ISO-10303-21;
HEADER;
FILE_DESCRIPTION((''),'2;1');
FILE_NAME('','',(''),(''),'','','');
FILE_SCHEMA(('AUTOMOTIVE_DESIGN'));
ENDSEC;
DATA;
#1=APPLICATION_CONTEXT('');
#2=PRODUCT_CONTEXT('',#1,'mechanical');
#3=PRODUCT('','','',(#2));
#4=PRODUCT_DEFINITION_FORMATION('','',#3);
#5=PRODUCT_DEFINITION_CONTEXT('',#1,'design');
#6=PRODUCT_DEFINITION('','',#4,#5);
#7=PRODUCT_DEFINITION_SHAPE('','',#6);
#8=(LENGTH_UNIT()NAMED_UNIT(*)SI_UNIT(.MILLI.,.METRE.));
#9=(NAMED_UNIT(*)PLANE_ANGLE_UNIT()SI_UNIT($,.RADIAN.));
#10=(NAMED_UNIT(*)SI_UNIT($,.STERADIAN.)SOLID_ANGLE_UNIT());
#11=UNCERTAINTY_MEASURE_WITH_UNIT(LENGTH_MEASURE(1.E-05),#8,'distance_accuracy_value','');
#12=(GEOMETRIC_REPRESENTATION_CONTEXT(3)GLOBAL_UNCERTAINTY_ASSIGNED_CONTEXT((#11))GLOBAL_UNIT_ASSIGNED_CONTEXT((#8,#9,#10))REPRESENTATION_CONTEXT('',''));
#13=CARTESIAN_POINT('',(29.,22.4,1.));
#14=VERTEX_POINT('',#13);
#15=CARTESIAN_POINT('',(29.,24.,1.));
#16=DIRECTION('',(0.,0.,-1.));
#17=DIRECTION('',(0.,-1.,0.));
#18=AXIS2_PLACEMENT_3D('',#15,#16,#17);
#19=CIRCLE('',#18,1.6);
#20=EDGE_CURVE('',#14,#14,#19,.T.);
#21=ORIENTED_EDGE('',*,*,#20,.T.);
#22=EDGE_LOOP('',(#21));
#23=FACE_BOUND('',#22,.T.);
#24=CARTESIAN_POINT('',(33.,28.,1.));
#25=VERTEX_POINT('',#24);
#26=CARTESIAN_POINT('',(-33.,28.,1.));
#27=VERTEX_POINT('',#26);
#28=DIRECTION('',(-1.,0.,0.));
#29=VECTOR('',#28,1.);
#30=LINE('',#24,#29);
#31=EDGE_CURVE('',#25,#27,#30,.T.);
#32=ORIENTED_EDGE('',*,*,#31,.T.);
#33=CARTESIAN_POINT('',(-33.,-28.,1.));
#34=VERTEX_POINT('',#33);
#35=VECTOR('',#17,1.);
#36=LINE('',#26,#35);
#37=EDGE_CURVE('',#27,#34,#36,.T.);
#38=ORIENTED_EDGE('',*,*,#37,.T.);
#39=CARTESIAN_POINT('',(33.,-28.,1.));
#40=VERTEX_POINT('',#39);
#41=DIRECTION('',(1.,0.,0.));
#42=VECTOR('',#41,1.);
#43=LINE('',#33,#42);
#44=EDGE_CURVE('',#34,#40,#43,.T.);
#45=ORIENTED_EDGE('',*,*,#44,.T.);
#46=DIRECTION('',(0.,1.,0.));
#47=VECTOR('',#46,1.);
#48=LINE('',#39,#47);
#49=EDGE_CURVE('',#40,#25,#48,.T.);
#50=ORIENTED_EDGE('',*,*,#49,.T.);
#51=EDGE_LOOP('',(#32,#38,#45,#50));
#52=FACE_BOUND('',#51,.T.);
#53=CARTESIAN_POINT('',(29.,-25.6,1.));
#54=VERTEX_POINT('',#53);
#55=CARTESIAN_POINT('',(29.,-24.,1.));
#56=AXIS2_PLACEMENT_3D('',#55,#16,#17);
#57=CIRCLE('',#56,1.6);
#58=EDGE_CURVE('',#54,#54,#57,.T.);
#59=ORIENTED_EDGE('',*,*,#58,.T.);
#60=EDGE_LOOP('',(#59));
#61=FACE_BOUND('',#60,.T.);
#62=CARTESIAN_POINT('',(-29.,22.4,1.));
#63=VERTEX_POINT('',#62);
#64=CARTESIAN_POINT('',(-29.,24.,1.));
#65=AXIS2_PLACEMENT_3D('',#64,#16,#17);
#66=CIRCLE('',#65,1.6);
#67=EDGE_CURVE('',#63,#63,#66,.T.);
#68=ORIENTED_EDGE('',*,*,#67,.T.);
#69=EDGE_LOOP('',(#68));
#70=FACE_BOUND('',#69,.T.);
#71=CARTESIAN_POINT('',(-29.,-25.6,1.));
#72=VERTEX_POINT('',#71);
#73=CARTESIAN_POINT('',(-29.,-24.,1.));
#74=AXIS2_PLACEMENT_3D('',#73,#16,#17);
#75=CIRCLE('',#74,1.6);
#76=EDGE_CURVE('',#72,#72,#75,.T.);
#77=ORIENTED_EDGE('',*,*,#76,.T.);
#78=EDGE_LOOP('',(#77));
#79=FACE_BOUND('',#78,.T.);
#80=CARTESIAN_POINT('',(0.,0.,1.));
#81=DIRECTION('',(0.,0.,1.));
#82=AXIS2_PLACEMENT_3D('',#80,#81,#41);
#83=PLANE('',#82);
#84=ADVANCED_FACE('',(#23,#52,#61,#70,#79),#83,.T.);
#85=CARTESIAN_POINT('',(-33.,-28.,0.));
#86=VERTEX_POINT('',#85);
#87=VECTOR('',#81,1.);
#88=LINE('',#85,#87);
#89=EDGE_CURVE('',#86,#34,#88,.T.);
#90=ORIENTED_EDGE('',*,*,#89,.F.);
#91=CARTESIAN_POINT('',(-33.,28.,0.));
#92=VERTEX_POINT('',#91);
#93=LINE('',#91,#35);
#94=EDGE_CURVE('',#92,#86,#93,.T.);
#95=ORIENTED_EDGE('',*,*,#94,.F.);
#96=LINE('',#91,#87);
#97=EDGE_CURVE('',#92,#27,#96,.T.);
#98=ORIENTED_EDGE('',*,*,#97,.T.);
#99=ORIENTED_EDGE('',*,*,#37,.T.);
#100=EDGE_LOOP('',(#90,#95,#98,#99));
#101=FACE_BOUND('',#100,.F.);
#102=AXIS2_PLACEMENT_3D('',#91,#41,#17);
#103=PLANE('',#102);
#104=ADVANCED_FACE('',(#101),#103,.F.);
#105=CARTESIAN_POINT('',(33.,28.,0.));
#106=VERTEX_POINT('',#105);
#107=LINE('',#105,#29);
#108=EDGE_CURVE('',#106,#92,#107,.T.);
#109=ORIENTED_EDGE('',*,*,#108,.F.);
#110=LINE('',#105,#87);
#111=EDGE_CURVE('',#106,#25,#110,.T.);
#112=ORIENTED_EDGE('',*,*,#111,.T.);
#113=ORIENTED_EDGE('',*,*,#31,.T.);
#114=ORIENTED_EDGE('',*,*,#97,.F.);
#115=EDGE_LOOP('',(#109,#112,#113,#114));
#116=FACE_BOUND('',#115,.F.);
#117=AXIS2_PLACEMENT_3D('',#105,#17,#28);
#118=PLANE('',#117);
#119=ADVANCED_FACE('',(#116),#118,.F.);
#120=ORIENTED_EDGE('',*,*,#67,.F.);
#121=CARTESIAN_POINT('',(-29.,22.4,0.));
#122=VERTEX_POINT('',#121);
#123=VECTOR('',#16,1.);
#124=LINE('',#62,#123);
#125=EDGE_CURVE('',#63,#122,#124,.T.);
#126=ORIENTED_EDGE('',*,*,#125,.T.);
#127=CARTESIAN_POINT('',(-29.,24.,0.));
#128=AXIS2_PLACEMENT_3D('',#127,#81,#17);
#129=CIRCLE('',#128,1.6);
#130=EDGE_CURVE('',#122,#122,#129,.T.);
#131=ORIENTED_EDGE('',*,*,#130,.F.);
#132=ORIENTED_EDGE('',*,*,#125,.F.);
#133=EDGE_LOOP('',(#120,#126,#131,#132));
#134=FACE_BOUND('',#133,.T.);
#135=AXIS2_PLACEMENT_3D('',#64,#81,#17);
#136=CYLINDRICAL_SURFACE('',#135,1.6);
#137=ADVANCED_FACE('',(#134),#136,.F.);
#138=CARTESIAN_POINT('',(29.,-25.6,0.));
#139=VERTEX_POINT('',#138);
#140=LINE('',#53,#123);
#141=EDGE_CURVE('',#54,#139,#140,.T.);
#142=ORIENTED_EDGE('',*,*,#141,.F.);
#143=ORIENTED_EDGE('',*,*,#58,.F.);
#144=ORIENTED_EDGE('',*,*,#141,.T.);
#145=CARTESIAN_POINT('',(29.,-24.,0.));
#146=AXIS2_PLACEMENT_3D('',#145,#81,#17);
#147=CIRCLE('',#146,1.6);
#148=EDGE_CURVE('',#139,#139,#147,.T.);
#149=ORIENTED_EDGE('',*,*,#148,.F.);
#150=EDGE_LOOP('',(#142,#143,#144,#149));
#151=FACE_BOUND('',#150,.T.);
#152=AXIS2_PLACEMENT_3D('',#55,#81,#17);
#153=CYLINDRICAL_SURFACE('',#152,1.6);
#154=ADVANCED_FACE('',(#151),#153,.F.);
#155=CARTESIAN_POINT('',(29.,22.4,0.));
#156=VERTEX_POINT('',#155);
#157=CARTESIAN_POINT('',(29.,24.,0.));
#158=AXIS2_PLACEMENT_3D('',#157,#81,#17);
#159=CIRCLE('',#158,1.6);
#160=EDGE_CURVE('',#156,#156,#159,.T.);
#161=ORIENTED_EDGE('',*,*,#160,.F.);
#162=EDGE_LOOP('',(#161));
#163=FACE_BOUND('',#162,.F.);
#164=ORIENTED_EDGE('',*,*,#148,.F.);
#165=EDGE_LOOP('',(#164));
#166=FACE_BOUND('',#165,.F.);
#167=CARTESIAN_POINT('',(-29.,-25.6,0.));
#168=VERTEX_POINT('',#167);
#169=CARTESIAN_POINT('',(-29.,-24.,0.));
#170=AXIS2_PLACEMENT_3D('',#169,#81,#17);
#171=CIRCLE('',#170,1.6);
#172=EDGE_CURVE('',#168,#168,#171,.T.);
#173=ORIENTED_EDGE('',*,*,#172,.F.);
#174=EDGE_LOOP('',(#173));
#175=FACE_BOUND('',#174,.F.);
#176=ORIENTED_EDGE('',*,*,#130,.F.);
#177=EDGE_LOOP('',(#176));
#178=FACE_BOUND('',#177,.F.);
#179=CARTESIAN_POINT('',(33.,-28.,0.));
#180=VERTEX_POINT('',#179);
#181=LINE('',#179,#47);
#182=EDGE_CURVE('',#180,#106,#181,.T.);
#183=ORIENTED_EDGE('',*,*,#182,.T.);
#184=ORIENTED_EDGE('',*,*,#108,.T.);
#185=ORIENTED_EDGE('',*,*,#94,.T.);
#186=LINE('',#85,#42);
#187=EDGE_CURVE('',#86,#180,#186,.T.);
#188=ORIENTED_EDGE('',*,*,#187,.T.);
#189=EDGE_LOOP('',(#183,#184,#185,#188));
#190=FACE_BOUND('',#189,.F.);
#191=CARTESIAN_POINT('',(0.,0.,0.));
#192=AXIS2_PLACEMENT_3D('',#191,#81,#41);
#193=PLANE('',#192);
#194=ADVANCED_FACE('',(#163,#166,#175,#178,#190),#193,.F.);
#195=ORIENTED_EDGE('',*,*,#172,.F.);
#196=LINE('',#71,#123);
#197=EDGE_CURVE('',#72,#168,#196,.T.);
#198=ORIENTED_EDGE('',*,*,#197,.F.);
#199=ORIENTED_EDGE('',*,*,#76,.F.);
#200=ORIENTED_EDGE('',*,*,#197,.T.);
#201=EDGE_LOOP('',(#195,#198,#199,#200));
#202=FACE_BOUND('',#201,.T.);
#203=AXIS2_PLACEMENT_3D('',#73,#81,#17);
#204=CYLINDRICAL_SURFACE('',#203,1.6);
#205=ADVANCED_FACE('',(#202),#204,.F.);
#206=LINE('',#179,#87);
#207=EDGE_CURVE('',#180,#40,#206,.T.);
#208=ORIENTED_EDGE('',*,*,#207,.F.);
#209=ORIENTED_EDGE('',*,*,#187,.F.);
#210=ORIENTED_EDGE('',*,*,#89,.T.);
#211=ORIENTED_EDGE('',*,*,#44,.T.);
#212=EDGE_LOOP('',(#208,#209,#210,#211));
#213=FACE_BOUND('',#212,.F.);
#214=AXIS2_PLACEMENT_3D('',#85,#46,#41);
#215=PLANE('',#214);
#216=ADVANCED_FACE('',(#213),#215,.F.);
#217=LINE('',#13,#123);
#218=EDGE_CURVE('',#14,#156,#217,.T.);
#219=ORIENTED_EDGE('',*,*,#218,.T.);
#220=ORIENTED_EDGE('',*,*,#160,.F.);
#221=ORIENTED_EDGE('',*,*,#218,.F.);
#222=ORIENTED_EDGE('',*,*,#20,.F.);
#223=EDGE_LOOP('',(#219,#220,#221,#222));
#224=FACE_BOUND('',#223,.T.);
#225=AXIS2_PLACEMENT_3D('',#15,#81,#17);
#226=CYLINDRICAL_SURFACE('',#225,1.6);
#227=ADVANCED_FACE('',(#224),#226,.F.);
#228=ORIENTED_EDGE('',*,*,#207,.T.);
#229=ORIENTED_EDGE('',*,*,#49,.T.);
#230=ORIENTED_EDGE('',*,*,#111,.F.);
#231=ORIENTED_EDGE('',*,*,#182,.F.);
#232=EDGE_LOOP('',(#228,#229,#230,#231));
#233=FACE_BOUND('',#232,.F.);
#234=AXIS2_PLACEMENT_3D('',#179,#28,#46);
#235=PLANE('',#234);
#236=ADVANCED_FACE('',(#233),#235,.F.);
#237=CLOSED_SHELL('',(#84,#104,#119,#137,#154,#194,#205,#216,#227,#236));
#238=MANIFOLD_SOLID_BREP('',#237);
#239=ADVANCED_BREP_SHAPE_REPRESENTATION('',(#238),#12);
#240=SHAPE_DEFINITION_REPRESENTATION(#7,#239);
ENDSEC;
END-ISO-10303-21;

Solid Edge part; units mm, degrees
sketch "Sketch1" plane through (0, 0, 0) normal (0, 0, 1) x (1, 0, 0)
  line L0 (-33, -28) -> (33, -28)
  line L1 (33, -28) -> (33, 28)
  line L2 (33, 28) -> (-33, 28)
  line L3 (-33, 28) -> (-33, -28)
  dimension "D1" = 66
  dimension "D2" = 56
extrude "Protrusion1" add sketch "Sketch1" along normal blind 1
hole "Hole_1" at (-29, 24, 1) direction (0, 0, -1) diameter 3.2 end up to next
hole "Hole1" at (29, 24, 1) direction (0, 0, -1) diameter 3.2 end up to next
hole "Hole2" at (-29, -24, 1) direction (0, 0, -1) diameter 3.2 end up to next
hole "Hole3" at (29, -24, 1) direction (0, 0, -1) diameter 3.2 end up to next
properties material "Polyethylene, low density"
